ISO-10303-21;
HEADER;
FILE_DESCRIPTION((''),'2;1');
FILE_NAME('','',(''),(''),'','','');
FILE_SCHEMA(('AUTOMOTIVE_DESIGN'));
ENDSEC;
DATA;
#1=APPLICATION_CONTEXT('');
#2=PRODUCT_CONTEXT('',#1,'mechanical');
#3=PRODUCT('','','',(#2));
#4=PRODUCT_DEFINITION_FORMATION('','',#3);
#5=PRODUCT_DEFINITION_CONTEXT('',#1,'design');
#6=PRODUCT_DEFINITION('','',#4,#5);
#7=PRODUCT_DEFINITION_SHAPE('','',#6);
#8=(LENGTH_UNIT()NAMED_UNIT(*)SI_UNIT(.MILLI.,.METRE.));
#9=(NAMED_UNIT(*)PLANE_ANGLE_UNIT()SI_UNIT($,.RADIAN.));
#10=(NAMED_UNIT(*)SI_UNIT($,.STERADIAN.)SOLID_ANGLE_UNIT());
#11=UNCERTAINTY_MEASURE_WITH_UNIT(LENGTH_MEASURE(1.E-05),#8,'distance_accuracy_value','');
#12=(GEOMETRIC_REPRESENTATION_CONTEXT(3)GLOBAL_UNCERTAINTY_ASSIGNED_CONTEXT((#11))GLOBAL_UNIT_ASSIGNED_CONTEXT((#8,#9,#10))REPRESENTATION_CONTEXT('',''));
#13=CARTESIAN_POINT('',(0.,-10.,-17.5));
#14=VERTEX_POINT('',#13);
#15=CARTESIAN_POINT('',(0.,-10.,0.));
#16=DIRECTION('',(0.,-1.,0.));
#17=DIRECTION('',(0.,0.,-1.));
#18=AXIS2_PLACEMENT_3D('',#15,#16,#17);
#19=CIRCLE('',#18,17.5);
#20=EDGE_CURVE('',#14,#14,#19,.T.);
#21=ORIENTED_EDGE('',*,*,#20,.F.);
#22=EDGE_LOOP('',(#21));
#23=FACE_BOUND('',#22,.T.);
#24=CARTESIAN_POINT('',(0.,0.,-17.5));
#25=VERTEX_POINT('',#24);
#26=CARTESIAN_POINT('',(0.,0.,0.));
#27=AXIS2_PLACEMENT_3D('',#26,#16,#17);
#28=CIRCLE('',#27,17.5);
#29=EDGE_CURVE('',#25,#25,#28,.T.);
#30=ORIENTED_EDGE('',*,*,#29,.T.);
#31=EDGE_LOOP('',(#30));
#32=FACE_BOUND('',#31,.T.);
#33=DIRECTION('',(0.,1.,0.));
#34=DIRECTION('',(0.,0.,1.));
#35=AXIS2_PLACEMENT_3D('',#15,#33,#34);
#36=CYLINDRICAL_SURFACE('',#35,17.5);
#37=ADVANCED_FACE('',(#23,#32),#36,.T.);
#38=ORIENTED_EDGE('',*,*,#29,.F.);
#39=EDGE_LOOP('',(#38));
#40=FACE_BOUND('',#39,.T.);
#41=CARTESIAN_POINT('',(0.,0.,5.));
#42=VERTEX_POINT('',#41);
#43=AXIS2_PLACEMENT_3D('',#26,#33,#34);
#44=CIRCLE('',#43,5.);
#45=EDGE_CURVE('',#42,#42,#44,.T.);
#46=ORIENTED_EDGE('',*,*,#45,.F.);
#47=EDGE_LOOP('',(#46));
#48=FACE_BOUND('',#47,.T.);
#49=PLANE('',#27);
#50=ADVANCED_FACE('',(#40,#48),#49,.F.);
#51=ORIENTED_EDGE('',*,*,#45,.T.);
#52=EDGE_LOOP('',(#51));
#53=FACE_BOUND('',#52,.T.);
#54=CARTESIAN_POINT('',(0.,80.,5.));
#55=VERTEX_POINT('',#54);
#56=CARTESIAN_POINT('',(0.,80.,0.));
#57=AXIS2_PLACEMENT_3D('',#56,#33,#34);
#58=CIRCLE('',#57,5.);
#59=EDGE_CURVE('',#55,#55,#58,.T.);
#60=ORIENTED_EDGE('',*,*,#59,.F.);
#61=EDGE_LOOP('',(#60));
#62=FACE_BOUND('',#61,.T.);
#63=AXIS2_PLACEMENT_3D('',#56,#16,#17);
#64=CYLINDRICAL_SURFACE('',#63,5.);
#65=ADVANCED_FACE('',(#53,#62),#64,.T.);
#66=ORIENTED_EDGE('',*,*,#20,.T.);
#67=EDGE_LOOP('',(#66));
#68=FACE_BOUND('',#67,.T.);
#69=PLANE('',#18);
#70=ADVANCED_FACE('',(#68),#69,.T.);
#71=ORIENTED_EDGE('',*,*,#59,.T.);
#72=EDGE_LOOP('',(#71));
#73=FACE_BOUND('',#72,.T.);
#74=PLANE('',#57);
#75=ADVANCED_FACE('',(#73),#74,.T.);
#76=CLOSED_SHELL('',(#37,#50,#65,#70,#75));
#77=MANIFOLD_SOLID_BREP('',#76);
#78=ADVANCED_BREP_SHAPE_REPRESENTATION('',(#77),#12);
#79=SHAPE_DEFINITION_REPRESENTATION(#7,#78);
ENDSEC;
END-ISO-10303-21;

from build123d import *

# Parameters (mm, degrees)
SKETCH_1_R      = 5
EXTRUDE_1_DEPTH = 80
SKETCH_2_R      = 17.5
EXTRUDE_2_DEPTH = 10


with BuildPart() as part:
    # 草图1 → 凸台-拉伸1 (new body)
    with BuildSketch(Plane(origin=(0, 0, 0), x_dir=(1, 0, 0), z_dir=(0, 1, 0))):
        with Locations(Location((0, 0, 0), (0, 0, 270))):
            Circle(SKETCH_1_R)
    extrude(amount=EXTRUDE_1_DEPTH)

    # 草图2 → 凸台-拉伸2 (add)
    with BuildSketch(Plane.XZ):
        with Locations(Location((0, 0, 0), (0, 0, 270))):
            Circle(SKETCH_2_R)
    extrude(amount=EXTRUDE_2_DEPTH)


solid = part.part
